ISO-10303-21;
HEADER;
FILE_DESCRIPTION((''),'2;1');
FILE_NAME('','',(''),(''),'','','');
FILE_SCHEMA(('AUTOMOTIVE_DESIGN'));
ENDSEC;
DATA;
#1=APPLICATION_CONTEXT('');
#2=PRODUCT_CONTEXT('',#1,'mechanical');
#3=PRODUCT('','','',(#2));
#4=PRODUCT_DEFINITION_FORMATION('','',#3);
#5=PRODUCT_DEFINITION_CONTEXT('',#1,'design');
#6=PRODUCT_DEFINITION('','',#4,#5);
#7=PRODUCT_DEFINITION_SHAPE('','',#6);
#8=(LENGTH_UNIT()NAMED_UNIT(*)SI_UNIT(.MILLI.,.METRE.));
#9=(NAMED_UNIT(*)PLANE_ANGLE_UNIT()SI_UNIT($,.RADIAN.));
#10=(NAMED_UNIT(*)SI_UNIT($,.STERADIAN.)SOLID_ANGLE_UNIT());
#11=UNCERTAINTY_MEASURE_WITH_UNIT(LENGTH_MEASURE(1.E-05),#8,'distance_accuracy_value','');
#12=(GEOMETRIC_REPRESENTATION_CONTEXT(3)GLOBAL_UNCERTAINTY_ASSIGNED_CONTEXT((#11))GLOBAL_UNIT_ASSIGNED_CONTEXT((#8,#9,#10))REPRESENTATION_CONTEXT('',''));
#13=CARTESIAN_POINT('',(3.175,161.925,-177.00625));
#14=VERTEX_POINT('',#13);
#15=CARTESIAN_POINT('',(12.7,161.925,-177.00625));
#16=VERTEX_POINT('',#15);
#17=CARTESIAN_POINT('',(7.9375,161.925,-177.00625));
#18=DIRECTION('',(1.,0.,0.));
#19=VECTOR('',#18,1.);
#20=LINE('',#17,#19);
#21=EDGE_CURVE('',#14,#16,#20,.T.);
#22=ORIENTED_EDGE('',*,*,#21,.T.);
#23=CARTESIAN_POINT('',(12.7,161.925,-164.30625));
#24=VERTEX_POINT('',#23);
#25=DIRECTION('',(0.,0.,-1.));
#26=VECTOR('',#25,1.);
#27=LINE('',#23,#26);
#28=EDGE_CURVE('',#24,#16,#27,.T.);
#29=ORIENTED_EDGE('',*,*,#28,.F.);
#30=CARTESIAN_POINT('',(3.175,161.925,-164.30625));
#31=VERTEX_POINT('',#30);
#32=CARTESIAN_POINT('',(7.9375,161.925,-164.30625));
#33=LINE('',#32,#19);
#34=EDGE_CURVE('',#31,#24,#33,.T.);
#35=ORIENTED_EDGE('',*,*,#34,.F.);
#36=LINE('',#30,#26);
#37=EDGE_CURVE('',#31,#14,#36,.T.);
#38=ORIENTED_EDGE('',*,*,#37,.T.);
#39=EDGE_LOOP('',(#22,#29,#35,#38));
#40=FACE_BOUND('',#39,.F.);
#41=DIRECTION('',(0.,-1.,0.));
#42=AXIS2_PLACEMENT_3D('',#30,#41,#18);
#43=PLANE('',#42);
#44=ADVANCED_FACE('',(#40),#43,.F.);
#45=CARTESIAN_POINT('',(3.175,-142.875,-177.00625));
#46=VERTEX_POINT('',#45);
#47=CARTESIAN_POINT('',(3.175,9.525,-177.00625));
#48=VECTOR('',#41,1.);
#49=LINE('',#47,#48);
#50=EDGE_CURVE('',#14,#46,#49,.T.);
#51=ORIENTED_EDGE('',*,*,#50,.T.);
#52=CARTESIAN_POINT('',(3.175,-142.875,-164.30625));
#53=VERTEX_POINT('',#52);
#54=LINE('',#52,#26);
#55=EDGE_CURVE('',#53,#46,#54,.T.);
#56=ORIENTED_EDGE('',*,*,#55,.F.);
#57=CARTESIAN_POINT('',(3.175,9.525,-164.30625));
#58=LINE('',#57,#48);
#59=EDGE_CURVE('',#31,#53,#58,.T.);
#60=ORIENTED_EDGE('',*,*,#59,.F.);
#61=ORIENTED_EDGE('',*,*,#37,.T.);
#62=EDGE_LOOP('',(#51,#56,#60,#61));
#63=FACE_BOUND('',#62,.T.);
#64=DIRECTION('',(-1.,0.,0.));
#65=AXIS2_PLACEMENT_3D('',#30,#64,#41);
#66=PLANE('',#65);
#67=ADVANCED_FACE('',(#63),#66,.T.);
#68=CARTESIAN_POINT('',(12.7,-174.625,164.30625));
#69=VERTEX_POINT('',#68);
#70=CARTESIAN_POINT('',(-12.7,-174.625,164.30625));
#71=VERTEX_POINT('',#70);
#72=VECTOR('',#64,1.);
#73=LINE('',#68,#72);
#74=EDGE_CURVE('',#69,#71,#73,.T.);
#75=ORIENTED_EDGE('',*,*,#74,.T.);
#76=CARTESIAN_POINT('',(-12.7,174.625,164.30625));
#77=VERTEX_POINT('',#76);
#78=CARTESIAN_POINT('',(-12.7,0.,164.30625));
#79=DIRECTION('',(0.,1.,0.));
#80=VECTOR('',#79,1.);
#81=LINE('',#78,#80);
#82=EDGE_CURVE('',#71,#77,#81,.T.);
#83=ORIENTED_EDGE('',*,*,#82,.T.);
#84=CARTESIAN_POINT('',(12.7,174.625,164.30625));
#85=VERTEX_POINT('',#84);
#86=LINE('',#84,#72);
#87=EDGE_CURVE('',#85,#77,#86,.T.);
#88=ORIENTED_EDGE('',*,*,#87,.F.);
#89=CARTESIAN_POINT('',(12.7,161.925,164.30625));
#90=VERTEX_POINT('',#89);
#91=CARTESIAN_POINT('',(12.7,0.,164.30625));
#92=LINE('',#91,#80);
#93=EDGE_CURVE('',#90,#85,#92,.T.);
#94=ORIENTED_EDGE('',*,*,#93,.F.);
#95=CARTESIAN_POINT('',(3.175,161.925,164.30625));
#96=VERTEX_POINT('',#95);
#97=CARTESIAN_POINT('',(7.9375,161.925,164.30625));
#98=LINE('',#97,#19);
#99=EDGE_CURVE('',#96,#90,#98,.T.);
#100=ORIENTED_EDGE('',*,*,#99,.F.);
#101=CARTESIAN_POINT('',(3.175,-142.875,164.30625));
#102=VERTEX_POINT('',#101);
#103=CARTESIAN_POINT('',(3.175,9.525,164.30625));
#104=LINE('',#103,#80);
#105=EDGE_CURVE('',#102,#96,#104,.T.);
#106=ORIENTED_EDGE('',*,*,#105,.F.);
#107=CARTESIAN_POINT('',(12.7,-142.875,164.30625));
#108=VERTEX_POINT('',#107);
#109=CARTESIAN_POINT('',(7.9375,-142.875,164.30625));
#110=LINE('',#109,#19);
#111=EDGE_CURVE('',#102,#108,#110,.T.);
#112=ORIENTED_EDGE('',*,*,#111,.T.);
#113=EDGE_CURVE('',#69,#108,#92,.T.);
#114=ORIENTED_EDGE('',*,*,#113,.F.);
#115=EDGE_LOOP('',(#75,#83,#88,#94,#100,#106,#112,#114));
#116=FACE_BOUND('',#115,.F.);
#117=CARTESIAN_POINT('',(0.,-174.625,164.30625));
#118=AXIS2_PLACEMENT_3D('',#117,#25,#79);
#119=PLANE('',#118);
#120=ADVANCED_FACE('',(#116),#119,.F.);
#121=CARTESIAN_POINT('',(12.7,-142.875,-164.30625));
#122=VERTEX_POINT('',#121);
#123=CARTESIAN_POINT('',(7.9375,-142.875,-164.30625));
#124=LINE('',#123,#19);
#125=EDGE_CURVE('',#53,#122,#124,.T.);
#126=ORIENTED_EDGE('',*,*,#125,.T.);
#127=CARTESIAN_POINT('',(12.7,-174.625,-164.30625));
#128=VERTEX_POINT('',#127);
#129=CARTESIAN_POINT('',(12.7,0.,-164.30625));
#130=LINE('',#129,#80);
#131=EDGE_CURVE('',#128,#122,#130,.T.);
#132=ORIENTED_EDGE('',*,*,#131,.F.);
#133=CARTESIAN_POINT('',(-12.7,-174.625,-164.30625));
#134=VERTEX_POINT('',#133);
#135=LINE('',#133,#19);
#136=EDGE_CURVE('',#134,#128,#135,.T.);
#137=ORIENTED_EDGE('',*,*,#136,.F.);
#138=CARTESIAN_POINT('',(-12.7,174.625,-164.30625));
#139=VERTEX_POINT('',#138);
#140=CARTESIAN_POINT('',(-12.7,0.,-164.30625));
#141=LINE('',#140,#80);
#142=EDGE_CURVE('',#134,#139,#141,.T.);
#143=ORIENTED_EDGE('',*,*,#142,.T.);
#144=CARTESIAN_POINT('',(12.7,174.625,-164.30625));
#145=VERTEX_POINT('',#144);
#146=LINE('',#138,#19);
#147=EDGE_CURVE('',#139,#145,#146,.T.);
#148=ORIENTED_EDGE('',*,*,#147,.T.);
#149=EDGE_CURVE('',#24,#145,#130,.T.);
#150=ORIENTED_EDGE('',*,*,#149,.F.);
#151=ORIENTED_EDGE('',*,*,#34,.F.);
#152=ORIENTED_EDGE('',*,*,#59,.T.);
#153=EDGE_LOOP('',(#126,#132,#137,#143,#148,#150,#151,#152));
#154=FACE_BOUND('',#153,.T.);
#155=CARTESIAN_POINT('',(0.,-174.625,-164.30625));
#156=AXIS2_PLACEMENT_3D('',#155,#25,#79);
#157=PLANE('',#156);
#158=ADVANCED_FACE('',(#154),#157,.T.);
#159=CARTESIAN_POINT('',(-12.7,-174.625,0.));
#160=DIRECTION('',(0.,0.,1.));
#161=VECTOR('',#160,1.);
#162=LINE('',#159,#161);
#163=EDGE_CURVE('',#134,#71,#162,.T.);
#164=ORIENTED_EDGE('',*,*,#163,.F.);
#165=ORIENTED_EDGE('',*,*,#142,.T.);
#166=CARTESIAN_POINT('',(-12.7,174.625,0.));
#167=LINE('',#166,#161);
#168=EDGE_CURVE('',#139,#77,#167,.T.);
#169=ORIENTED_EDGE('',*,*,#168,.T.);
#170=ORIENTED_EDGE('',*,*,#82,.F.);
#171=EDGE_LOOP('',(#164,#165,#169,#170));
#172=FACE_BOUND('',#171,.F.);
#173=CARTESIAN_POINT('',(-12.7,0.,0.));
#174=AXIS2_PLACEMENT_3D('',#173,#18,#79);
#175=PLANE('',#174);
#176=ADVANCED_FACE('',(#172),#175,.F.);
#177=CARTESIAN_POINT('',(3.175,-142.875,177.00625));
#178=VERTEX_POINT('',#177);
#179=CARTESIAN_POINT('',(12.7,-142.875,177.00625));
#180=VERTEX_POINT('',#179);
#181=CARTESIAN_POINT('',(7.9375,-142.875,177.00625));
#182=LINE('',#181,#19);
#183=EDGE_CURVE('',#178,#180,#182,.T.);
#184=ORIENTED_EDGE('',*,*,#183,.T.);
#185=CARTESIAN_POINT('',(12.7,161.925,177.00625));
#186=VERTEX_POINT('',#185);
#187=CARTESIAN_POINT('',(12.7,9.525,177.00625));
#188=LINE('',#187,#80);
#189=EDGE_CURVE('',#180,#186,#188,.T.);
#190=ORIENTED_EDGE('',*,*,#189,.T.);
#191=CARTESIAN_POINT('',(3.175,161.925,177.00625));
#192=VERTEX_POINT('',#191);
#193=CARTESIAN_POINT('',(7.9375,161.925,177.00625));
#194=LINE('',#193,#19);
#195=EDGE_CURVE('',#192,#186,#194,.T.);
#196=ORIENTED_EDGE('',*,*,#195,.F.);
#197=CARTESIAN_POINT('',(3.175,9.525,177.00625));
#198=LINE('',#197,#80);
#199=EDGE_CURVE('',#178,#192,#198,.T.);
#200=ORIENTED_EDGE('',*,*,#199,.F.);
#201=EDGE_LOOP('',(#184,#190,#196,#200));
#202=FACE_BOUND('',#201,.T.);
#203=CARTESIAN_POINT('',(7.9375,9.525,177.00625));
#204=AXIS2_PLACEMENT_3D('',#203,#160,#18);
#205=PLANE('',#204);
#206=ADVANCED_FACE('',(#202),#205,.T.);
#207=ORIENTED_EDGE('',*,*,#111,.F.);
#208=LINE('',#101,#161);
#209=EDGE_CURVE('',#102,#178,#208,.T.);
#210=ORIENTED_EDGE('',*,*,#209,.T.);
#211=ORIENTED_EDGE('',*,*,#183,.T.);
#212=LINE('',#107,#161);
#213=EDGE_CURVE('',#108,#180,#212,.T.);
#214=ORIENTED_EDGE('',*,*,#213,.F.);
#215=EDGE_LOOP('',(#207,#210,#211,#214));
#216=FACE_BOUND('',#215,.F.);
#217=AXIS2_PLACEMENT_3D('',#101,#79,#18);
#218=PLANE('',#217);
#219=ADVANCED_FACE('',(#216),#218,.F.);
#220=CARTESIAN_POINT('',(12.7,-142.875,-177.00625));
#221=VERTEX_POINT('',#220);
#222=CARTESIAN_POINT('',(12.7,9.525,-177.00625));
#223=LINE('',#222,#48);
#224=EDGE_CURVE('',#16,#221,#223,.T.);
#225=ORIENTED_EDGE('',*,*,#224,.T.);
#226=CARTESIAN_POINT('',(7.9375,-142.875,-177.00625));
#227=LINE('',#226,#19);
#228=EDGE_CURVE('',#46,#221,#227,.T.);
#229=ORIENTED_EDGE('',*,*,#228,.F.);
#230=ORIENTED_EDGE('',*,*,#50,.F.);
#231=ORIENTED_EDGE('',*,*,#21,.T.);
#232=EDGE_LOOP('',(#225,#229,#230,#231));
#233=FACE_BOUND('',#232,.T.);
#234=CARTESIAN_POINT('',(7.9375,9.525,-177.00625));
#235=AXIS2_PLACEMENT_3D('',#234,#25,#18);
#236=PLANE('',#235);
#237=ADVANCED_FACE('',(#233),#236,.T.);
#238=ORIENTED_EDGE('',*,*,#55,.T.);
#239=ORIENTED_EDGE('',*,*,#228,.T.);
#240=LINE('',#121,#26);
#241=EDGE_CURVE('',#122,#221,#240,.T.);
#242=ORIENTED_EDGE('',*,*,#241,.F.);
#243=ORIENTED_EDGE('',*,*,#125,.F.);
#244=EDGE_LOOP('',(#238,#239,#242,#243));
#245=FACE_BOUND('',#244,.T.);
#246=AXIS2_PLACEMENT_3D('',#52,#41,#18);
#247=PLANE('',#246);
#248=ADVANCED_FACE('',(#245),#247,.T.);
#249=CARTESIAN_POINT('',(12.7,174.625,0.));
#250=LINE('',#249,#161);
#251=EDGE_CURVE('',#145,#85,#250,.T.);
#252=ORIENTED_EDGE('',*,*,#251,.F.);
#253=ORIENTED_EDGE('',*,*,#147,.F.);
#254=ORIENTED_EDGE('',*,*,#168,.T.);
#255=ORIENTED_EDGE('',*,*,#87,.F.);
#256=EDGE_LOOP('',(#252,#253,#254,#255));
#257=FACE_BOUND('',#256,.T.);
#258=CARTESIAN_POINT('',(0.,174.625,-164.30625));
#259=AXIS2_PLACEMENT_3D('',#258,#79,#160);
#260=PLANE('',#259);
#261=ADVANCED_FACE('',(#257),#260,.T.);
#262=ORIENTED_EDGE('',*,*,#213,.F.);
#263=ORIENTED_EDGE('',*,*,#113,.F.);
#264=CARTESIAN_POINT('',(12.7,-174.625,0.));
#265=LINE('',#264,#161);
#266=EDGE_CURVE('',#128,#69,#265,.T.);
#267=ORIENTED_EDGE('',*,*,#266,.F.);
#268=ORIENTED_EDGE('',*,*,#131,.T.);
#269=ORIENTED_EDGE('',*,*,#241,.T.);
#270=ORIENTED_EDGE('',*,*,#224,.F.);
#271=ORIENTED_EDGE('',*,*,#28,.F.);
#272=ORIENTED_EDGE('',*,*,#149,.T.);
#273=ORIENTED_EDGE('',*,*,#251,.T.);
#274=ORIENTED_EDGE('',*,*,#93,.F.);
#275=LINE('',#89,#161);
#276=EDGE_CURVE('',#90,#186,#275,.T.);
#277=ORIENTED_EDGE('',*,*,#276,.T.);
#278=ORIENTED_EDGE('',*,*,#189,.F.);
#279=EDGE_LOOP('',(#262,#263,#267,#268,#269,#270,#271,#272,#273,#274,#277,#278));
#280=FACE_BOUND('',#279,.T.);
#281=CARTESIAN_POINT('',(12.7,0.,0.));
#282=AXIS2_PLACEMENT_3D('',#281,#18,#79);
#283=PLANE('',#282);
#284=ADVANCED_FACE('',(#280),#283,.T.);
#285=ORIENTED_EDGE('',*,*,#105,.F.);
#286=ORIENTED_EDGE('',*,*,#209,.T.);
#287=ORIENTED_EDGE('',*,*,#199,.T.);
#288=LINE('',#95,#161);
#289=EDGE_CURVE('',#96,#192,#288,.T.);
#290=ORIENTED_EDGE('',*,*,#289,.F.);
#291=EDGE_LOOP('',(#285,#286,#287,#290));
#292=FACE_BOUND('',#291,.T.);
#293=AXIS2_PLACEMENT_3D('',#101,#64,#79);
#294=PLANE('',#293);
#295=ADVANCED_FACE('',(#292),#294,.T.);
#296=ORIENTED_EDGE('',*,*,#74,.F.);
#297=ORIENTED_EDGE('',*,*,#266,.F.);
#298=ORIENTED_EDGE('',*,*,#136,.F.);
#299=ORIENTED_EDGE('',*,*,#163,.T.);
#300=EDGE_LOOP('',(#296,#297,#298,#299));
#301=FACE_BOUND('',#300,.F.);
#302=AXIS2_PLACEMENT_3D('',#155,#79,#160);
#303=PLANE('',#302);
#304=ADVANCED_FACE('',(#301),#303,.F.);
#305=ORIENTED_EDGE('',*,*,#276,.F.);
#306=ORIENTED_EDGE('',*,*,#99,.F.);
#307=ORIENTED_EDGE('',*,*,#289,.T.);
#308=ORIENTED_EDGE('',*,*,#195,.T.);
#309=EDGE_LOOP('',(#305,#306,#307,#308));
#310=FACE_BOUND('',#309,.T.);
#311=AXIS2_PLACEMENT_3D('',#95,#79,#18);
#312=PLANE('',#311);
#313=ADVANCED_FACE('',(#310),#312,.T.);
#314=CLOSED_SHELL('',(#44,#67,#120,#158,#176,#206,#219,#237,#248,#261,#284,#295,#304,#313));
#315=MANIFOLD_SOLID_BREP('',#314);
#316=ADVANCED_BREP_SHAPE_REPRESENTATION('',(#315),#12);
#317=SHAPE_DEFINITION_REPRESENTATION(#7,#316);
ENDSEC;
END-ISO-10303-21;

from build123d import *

# Parameters (mm, degrees)
F0_W     = 349.25
F0_H     = 328.6125
F1_DEPTH = 12.7
F2_W     = 9.525
F2_H     = 304.8
F3_DEPTH = 12.7
F4_W     = 9.525
F4_H     = 304.8
F5_DEPTH = 12.7


with BuildPart() as f1:
    # F0 (on Right) → F1 (new body, symmetric)
    with BuildSketch(Plane.YZ):
        Rectangle(F0_W, F0_H)
    extrude(amount=F1_DEPTH, both=True)

    # F2 (on face) → F3 (join)
    with BuildSketch(Plane.XY.offset(164.30625)):
        with Locations((7.9375, 9.525)):
            Rectangle(F2_W, F2_H)
    extrude(amount=F3_DEPTH)

    # F4 (on face) → F5 (join)
    with BuildSketch(Plane(origin=(0, 0, -164.30625), x_dir=(1, 0, 0), z_dir=(0, 0, -1))):
        with Locations((7.9375, -9.525)):
            Rectangle(F4_W, F4_H)
    extrude(amount=F5_DEPTH)


solid = f1.part
